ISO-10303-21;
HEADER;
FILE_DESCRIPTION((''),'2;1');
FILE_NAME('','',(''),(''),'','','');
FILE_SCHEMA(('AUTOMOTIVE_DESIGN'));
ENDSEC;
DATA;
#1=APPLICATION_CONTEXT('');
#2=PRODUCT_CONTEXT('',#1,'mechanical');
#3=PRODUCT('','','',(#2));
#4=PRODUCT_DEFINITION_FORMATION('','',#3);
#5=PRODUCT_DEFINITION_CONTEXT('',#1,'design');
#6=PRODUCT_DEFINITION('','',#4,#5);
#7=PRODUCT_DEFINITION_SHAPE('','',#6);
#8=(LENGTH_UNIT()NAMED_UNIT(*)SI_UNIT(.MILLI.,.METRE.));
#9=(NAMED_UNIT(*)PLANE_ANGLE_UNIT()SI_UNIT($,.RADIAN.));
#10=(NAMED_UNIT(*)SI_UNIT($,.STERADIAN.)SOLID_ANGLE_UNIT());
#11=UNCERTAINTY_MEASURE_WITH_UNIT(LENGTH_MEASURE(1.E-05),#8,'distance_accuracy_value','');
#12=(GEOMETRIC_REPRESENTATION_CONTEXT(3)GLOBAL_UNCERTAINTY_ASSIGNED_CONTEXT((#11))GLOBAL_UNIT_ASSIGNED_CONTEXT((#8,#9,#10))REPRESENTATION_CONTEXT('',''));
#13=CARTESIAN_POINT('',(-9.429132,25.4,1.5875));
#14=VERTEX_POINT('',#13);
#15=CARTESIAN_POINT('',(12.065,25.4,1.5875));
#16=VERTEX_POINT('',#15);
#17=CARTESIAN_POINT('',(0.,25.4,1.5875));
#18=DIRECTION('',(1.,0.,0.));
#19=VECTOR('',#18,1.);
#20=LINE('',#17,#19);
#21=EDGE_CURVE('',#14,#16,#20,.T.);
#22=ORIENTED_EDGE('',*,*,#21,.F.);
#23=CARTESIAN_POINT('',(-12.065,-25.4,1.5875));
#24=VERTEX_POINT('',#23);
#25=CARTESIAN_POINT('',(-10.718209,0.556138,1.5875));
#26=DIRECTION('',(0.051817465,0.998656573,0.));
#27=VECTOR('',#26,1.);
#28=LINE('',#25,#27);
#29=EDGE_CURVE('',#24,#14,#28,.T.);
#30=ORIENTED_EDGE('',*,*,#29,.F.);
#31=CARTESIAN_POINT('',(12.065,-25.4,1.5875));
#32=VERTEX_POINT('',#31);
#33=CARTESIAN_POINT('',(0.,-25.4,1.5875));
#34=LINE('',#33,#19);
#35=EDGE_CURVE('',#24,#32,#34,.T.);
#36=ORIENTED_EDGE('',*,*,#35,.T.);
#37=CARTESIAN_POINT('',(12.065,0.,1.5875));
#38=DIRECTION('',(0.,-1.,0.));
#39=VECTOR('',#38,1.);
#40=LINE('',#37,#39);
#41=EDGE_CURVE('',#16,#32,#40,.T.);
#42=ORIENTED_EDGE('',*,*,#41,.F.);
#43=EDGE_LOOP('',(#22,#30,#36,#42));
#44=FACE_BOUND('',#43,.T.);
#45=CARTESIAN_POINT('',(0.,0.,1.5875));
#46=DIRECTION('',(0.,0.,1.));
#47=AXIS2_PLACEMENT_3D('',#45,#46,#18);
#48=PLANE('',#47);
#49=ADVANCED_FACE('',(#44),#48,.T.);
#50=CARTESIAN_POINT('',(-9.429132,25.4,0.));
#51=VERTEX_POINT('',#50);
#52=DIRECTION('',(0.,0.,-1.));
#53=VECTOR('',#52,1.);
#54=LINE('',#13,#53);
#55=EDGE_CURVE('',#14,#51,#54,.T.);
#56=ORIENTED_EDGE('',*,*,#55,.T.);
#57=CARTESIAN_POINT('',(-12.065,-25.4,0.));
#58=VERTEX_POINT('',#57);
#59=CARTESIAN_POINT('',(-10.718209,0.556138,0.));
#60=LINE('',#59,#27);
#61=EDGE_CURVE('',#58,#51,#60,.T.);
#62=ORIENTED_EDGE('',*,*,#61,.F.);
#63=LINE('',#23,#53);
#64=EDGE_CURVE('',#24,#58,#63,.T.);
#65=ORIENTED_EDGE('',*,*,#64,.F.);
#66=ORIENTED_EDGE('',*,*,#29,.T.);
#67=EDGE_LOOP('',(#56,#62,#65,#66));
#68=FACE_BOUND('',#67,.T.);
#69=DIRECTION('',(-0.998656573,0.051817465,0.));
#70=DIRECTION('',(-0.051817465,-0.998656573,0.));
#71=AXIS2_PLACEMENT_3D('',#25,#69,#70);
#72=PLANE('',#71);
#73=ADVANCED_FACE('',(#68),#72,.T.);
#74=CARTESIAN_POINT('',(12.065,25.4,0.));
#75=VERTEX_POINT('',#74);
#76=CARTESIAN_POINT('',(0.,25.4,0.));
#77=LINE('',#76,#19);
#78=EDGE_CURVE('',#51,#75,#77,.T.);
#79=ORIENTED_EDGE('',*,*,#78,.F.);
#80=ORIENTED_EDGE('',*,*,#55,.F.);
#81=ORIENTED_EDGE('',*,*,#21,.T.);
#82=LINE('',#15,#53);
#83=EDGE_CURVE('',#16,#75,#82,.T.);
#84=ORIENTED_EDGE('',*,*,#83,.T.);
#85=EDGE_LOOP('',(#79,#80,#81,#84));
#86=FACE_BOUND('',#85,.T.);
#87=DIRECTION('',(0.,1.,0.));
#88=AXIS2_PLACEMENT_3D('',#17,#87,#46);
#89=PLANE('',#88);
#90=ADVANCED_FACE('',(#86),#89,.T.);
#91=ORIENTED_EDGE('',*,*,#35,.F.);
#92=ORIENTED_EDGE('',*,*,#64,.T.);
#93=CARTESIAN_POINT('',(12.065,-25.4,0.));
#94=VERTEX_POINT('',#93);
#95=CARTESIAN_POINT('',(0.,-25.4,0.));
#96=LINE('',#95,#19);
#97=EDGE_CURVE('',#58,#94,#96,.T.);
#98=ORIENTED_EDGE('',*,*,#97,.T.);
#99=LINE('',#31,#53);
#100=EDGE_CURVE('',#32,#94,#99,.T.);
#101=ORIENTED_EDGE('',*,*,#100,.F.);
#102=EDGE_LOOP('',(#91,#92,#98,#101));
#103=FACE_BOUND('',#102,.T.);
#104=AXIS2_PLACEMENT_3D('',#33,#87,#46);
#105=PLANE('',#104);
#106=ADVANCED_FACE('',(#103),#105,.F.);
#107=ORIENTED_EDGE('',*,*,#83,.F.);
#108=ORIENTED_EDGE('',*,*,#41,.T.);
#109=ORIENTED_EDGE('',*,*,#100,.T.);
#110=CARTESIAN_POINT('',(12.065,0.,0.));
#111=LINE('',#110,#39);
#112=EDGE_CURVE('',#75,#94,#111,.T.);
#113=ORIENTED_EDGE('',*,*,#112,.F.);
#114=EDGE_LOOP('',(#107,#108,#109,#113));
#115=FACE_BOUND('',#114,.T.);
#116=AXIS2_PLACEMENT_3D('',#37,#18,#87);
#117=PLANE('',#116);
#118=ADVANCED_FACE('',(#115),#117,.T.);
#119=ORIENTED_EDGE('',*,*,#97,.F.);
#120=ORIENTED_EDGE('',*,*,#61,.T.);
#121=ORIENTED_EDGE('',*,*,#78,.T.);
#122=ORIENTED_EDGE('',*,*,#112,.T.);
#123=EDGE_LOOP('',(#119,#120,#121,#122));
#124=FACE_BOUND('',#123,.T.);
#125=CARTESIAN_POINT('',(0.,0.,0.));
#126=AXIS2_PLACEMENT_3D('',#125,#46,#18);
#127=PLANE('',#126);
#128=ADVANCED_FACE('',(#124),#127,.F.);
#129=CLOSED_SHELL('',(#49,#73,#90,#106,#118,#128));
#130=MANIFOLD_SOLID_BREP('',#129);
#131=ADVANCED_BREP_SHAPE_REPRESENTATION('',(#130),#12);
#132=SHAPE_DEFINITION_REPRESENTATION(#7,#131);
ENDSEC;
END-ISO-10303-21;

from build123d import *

# Parameters (mm, degrees)
BOSS_EXTRUDE1_DEPTH = 1.5875


with BuildPart() as part:
    # Sketch1 → Boss-Extrude1 (new body)
    with BuildSketch(Plane.XY):
        Polygon((-9.429131685, 25.4), (-12.065, -25.4), (12.065, -25.4), (12.065, 25.4), align=None)
    extrude(amount=BOSS_EXTRUDE1_DEPTH)


solid = part.part
